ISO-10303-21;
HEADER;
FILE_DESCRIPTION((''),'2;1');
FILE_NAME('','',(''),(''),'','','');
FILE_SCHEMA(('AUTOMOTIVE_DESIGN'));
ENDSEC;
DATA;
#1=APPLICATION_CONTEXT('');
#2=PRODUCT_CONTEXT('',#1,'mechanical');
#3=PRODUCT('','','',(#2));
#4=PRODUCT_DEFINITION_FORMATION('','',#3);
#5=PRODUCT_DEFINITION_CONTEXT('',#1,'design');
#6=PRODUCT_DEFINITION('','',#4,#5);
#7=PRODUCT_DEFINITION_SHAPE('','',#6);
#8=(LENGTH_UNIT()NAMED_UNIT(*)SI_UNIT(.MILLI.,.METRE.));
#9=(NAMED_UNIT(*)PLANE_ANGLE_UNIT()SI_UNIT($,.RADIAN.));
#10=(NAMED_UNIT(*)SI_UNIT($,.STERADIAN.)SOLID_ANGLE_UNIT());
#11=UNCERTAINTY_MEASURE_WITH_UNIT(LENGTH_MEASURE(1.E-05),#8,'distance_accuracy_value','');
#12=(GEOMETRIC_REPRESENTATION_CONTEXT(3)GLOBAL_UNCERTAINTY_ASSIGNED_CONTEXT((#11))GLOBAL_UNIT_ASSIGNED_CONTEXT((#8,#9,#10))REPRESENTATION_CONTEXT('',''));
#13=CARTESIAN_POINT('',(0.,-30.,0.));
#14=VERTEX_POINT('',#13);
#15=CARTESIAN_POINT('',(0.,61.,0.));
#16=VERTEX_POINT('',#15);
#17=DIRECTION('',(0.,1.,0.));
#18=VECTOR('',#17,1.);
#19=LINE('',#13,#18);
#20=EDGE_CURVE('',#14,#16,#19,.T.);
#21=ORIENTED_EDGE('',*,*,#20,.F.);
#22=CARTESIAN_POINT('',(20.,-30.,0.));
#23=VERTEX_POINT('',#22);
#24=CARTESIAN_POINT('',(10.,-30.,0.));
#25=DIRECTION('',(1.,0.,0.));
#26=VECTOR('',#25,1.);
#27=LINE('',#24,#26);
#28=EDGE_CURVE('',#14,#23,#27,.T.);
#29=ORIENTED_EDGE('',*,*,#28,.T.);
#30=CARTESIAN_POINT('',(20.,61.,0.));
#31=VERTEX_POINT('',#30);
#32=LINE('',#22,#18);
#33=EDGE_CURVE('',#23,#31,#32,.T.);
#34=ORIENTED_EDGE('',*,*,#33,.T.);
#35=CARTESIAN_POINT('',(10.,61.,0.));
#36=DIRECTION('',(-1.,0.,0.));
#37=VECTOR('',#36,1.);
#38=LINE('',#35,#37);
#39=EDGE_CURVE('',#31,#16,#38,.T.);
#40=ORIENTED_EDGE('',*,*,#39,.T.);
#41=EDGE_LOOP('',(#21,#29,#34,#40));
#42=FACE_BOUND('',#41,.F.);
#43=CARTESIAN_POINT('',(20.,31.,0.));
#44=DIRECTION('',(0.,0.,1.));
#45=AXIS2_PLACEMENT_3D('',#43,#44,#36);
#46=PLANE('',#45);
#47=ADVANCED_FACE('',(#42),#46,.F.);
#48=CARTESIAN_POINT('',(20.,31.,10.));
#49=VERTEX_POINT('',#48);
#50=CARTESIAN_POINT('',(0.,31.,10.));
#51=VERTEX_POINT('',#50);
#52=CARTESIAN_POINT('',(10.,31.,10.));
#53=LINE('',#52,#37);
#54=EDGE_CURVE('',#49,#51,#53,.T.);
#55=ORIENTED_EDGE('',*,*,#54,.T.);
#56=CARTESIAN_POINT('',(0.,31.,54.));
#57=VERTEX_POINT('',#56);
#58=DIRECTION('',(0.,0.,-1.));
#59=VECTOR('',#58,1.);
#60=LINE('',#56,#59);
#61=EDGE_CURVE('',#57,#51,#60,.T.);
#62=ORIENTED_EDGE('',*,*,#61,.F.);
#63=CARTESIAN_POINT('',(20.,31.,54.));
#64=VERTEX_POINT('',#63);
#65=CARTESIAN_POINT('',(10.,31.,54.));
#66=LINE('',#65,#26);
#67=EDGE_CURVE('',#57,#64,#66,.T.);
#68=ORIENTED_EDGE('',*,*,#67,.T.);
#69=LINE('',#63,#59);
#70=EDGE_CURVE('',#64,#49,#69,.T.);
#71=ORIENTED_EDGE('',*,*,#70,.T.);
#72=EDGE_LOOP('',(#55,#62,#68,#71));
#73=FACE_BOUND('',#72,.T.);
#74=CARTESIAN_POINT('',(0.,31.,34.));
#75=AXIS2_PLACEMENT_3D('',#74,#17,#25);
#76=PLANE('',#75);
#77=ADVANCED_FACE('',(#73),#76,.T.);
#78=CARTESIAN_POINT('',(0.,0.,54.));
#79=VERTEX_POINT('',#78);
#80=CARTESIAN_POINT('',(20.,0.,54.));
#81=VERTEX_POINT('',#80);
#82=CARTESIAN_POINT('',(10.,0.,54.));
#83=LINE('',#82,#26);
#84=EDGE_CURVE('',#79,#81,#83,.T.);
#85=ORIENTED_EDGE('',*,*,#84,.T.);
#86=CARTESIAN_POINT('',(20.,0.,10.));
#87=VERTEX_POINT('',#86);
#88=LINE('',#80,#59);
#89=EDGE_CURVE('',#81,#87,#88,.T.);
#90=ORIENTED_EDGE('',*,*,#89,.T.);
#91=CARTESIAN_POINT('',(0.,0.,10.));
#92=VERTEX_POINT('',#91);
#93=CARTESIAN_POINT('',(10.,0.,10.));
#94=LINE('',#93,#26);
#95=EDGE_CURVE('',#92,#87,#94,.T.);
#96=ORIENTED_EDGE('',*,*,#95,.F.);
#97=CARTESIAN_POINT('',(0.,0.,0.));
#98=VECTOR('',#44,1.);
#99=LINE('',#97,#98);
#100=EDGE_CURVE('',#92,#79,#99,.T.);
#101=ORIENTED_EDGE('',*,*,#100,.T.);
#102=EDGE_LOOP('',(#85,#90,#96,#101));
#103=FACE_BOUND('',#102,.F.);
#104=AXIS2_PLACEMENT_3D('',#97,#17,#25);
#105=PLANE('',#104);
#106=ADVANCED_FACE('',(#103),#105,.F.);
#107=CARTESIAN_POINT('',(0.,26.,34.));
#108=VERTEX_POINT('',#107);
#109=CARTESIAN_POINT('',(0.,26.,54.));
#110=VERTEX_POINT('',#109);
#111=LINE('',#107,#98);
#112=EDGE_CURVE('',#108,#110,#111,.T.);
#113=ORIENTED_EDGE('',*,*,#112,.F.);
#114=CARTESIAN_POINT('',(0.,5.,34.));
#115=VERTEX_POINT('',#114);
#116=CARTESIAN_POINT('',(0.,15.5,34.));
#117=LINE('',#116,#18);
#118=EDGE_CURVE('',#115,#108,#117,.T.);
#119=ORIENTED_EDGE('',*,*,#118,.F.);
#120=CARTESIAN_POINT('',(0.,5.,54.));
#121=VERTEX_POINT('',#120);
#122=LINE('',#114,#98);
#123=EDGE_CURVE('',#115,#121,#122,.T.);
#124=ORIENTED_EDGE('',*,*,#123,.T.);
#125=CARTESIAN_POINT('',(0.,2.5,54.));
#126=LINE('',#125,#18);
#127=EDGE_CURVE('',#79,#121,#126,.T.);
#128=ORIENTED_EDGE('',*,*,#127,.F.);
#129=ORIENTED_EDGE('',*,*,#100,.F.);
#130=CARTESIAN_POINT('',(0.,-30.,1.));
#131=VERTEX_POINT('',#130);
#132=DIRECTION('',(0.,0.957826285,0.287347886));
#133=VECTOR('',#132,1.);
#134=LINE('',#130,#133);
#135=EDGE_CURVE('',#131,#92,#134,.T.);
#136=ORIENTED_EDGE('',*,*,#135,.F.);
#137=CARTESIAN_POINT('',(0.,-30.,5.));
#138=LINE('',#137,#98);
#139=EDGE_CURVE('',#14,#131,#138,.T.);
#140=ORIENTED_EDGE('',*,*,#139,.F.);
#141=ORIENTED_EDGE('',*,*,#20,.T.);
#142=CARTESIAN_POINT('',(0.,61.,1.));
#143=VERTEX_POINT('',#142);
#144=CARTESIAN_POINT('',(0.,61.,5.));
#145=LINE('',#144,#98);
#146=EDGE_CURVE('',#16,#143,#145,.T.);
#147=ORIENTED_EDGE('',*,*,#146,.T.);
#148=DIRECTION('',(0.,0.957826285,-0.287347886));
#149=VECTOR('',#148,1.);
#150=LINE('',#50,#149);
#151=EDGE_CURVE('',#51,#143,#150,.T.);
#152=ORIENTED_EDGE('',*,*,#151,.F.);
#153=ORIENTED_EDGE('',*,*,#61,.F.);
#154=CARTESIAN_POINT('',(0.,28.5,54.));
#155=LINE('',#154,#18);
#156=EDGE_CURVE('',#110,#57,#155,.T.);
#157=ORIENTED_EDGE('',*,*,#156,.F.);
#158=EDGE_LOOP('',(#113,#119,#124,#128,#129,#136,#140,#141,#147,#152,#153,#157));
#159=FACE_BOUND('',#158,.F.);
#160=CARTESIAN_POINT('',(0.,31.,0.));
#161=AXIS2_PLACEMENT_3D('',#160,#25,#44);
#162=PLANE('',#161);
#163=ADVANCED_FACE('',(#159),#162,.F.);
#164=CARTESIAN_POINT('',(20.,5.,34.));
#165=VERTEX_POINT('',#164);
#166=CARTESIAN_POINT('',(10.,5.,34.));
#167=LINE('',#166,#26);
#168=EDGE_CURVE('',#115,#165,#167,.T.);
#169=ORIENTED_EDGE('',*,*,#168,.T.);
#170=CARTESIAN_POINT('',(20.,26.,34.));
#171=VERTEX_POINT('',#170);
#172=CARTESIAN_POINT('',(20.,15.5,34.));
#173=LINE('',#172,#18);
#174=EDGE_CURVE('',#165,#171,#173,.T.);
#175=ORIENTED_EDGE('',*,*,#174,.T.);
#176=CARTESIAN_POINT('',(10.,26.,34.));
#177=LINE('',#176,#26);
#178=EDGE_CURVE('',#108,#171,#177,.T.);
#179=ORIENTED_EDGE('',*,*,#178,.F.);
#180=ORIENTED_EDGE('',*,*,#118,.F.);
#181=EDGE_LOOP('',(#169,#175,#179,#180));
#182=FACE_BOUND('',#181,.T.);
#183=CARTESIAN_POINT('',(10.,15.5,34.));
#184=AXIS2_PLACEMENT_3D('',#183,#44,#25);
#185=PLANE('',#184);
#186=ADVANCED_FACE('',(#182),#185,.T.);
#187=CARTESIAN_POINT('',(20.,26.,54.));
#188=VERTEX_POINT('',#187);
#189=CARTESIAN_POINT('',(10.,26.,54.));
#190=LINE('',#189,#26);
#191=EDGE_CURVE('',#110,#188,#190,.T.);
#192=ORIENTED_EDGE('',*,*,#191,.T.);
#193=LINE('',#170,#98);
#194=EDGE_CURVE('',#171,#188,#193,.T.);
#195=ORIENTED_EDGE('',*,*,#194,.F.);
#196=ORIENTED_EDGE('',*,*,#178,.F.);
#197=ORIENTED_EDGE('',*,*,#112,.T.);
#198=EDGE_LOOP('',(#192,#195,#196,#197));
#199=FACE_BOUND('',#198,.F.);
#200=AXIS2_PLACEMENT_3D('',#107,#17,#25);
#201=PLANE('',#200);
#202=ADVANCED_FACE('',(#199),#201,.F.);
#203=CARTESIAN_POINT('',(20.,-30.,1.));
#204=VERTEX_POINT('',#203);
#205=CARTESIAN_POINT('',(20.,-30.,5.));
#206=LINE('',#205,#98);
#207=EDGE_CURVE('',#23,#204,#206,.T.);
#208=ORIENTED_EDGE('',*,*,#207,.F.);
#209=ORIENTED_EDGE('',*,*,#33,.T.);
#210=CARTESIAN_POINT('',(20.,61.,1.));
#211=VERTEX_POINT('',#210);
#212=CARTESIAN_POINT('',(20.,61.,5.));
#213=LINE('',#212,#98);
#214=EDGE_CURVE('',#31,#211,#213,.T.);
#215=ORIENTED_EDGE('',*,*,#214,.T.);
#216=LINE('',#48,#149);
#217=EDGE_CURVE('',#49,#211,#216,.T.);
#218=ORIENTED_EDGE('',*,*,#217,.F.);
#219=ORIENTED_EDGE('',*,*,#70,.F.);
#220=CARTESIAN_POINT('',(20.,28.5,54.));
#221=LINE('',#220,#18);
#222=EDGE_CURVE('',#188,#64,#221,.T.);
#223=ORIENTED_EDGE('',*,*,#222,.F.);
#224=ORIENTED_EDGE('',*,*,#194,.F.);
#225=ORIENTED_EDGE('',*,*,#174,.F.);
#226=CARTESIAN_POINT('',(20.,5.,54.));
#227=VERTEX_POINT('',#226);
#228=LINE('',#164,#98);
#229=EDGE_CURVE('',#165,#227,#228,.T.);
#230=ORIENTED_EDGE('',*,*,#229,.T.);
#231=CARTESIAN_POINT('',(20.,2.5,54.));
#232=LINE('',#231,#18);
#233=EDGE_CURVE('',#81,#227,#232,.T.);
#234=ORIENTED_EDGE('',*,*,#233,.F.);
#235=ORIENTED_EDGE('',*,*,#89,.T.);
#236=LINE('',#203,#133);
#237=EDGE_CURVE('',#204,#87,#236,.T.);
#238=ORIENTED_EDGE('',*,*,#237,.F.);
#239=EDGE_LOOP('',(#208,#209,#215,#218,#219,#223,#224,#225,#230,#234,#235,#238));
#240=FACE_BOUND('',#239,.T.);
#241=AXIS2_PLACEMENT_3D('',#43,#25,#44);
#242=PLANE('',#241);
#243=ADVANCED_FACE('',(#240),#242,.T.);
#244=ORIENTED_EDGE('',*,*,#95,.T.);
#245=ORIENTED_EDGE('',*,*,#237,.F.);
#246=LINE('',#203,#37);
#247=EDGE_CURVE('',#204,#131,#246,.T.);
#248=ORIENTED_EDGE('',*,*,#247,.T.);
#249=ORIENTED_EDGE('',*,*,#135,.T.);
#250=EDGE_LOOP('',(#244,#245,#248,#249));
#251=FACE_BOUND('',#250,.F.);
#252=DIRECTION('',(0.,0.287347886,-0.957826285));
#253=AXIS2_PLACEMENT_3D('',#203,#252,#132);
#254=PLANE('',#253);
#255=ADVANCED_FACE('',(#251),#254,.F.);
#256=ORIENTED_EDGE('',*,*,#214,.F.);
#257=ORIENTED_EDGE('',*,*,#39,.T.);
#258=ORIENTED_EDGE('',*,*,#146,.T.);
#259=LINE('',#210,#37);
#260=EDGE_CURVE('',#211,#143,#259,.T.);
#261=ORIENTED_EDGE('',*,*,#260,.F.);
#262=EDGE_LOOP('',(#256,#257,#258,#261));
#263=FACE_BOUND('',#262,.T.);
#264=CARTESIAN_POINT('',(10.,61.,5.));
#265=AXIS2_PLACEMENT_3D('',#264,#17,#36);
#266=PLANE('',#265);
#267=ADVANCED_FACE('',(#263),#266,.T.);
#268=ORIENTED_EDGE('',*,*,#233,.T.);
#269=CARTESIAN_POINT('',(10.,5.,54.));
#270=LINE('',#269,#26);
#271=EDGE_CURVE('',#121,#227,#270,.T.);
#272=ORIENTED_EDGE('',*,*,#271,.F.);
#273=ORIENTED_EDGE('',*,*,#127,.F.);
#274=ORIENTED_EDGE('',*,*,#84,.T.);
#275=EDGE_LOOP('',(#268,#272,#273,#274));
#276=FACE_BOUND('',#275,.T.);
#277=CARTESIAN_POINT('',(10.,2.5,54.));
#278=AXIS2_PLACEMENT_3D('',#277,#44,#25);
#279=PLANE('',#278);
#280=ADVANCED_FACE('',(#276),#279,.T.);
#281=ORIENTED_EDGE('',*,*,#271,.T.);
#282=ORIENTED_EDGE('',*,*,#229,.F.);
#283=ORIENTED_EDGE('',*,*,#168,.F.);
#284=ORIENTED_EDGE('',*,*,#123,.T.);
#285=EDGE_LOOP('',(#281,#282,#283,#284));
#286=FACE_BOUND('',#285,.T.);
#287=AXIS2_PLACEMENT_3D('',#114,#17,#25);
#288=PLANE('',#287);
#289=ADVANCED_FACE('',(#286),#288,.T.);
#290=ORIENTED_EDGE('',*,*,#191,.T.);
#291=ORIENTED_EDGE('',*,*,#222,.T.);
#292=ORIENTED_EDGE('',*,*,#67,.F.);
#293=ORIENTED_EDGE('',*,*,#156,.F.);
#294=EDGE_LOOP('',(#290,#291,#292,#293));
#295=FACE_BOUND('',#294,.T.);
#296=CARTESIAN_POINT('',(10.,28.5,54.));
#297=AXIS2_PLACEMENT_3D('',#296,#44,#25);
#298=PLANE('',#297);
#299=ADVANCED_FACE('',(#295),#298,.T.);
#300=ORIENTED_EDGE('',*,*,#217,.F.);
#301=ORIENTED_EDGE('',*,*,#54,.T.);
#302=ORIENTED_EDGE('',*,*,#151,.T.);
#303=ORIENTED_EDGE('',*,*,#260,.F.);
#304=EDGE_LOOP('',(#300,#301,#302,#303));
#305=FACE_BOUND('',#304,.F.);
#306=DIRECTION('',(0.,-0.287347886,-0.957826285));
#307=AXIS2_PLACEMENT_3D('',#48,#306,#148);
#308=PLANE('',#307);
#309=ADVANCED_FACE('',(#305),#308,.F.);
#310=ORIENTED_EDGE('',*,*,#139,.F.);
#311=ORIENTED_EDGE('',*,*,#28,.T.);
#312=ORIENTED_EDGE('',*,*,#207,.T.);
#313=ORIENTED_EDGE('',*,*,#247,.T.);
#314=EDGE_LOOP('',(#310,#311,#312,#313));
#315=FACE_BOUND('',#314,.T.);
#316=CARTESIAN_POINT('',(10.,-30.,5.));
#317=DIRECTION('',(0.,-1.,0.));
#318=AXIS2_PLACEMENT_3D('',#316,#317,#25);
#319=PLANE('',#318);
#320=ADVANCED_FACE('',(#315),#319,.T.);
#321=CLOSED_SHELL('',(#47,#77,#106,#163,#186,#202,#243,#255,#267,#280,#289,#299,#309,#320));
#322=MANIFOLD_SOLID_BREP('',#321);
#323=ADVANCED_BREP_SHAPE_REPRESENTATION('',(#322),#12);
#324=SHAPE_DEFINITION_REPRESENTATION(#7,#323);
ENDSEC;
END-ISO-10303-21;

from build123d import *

# Parameters (mm, degrees)
F0_W     = 20
F0_H     = 31
F1_DEPTH = 34
F2_W     = 20
F2_H     = 5
F3_DEPTH = 20
F4_W     = 20
F4_H     = 10
F5_DEPTH = 30
F6_W     = 20
F6_H     = 10
F7_DEPTH = 30
F9_DEPTH = 20


with BuildPart() as f1:
    # F0 (on Top) → F1 (new body)
    with BuildSketch(Plane.XY):
        with Locations((10, 15.5)):
            Rectangle(F0_W, F0_H)
    extrude(amount=F1_DEPTH)

    # F2 (on face) → F3 (join)
    with BuildSketch(Plane.XY.offset(34)):
        with Locations((10, 28.5)):
            Rectangle(F2_W, F2_H)
        with Locations((10, 2.5)):
            Rectangle(F2_W, F2_H)
    extrude(amount=F3_DEPTH)

    # F4 (on face) → F5 (join)
    with BuildSketch(Plane.XZ):
        with Locations((10, 5)):
            Rectangle(F4_W, F4_H)
    extrude(amount=F5_DEPTH)

    # F6 (on face) → F7 (join)
    with BuildSketch(Plane(origin=(0, 31, 0), x_dir=(-1, 0, 0), z_dir=(0, 1, 0))):
        with Locations((-10, 5)):
            Rectangle(F6_W, F6_H)
    extrude(amount=F7_DEPTH)

    # F8 (on face) → F9 (cut)
    with BuildSketch(Plane.YZ.offset(20)):
        Polygon((-30, 1), (0, 10), (-30, 10), align=None)
        Polygon((31, 10), (61, 1), (61, 10), align=None)
    extrude(amount=-F9_DEPTH, mode=Mode.SUBTRACT)


solid = f1.part
